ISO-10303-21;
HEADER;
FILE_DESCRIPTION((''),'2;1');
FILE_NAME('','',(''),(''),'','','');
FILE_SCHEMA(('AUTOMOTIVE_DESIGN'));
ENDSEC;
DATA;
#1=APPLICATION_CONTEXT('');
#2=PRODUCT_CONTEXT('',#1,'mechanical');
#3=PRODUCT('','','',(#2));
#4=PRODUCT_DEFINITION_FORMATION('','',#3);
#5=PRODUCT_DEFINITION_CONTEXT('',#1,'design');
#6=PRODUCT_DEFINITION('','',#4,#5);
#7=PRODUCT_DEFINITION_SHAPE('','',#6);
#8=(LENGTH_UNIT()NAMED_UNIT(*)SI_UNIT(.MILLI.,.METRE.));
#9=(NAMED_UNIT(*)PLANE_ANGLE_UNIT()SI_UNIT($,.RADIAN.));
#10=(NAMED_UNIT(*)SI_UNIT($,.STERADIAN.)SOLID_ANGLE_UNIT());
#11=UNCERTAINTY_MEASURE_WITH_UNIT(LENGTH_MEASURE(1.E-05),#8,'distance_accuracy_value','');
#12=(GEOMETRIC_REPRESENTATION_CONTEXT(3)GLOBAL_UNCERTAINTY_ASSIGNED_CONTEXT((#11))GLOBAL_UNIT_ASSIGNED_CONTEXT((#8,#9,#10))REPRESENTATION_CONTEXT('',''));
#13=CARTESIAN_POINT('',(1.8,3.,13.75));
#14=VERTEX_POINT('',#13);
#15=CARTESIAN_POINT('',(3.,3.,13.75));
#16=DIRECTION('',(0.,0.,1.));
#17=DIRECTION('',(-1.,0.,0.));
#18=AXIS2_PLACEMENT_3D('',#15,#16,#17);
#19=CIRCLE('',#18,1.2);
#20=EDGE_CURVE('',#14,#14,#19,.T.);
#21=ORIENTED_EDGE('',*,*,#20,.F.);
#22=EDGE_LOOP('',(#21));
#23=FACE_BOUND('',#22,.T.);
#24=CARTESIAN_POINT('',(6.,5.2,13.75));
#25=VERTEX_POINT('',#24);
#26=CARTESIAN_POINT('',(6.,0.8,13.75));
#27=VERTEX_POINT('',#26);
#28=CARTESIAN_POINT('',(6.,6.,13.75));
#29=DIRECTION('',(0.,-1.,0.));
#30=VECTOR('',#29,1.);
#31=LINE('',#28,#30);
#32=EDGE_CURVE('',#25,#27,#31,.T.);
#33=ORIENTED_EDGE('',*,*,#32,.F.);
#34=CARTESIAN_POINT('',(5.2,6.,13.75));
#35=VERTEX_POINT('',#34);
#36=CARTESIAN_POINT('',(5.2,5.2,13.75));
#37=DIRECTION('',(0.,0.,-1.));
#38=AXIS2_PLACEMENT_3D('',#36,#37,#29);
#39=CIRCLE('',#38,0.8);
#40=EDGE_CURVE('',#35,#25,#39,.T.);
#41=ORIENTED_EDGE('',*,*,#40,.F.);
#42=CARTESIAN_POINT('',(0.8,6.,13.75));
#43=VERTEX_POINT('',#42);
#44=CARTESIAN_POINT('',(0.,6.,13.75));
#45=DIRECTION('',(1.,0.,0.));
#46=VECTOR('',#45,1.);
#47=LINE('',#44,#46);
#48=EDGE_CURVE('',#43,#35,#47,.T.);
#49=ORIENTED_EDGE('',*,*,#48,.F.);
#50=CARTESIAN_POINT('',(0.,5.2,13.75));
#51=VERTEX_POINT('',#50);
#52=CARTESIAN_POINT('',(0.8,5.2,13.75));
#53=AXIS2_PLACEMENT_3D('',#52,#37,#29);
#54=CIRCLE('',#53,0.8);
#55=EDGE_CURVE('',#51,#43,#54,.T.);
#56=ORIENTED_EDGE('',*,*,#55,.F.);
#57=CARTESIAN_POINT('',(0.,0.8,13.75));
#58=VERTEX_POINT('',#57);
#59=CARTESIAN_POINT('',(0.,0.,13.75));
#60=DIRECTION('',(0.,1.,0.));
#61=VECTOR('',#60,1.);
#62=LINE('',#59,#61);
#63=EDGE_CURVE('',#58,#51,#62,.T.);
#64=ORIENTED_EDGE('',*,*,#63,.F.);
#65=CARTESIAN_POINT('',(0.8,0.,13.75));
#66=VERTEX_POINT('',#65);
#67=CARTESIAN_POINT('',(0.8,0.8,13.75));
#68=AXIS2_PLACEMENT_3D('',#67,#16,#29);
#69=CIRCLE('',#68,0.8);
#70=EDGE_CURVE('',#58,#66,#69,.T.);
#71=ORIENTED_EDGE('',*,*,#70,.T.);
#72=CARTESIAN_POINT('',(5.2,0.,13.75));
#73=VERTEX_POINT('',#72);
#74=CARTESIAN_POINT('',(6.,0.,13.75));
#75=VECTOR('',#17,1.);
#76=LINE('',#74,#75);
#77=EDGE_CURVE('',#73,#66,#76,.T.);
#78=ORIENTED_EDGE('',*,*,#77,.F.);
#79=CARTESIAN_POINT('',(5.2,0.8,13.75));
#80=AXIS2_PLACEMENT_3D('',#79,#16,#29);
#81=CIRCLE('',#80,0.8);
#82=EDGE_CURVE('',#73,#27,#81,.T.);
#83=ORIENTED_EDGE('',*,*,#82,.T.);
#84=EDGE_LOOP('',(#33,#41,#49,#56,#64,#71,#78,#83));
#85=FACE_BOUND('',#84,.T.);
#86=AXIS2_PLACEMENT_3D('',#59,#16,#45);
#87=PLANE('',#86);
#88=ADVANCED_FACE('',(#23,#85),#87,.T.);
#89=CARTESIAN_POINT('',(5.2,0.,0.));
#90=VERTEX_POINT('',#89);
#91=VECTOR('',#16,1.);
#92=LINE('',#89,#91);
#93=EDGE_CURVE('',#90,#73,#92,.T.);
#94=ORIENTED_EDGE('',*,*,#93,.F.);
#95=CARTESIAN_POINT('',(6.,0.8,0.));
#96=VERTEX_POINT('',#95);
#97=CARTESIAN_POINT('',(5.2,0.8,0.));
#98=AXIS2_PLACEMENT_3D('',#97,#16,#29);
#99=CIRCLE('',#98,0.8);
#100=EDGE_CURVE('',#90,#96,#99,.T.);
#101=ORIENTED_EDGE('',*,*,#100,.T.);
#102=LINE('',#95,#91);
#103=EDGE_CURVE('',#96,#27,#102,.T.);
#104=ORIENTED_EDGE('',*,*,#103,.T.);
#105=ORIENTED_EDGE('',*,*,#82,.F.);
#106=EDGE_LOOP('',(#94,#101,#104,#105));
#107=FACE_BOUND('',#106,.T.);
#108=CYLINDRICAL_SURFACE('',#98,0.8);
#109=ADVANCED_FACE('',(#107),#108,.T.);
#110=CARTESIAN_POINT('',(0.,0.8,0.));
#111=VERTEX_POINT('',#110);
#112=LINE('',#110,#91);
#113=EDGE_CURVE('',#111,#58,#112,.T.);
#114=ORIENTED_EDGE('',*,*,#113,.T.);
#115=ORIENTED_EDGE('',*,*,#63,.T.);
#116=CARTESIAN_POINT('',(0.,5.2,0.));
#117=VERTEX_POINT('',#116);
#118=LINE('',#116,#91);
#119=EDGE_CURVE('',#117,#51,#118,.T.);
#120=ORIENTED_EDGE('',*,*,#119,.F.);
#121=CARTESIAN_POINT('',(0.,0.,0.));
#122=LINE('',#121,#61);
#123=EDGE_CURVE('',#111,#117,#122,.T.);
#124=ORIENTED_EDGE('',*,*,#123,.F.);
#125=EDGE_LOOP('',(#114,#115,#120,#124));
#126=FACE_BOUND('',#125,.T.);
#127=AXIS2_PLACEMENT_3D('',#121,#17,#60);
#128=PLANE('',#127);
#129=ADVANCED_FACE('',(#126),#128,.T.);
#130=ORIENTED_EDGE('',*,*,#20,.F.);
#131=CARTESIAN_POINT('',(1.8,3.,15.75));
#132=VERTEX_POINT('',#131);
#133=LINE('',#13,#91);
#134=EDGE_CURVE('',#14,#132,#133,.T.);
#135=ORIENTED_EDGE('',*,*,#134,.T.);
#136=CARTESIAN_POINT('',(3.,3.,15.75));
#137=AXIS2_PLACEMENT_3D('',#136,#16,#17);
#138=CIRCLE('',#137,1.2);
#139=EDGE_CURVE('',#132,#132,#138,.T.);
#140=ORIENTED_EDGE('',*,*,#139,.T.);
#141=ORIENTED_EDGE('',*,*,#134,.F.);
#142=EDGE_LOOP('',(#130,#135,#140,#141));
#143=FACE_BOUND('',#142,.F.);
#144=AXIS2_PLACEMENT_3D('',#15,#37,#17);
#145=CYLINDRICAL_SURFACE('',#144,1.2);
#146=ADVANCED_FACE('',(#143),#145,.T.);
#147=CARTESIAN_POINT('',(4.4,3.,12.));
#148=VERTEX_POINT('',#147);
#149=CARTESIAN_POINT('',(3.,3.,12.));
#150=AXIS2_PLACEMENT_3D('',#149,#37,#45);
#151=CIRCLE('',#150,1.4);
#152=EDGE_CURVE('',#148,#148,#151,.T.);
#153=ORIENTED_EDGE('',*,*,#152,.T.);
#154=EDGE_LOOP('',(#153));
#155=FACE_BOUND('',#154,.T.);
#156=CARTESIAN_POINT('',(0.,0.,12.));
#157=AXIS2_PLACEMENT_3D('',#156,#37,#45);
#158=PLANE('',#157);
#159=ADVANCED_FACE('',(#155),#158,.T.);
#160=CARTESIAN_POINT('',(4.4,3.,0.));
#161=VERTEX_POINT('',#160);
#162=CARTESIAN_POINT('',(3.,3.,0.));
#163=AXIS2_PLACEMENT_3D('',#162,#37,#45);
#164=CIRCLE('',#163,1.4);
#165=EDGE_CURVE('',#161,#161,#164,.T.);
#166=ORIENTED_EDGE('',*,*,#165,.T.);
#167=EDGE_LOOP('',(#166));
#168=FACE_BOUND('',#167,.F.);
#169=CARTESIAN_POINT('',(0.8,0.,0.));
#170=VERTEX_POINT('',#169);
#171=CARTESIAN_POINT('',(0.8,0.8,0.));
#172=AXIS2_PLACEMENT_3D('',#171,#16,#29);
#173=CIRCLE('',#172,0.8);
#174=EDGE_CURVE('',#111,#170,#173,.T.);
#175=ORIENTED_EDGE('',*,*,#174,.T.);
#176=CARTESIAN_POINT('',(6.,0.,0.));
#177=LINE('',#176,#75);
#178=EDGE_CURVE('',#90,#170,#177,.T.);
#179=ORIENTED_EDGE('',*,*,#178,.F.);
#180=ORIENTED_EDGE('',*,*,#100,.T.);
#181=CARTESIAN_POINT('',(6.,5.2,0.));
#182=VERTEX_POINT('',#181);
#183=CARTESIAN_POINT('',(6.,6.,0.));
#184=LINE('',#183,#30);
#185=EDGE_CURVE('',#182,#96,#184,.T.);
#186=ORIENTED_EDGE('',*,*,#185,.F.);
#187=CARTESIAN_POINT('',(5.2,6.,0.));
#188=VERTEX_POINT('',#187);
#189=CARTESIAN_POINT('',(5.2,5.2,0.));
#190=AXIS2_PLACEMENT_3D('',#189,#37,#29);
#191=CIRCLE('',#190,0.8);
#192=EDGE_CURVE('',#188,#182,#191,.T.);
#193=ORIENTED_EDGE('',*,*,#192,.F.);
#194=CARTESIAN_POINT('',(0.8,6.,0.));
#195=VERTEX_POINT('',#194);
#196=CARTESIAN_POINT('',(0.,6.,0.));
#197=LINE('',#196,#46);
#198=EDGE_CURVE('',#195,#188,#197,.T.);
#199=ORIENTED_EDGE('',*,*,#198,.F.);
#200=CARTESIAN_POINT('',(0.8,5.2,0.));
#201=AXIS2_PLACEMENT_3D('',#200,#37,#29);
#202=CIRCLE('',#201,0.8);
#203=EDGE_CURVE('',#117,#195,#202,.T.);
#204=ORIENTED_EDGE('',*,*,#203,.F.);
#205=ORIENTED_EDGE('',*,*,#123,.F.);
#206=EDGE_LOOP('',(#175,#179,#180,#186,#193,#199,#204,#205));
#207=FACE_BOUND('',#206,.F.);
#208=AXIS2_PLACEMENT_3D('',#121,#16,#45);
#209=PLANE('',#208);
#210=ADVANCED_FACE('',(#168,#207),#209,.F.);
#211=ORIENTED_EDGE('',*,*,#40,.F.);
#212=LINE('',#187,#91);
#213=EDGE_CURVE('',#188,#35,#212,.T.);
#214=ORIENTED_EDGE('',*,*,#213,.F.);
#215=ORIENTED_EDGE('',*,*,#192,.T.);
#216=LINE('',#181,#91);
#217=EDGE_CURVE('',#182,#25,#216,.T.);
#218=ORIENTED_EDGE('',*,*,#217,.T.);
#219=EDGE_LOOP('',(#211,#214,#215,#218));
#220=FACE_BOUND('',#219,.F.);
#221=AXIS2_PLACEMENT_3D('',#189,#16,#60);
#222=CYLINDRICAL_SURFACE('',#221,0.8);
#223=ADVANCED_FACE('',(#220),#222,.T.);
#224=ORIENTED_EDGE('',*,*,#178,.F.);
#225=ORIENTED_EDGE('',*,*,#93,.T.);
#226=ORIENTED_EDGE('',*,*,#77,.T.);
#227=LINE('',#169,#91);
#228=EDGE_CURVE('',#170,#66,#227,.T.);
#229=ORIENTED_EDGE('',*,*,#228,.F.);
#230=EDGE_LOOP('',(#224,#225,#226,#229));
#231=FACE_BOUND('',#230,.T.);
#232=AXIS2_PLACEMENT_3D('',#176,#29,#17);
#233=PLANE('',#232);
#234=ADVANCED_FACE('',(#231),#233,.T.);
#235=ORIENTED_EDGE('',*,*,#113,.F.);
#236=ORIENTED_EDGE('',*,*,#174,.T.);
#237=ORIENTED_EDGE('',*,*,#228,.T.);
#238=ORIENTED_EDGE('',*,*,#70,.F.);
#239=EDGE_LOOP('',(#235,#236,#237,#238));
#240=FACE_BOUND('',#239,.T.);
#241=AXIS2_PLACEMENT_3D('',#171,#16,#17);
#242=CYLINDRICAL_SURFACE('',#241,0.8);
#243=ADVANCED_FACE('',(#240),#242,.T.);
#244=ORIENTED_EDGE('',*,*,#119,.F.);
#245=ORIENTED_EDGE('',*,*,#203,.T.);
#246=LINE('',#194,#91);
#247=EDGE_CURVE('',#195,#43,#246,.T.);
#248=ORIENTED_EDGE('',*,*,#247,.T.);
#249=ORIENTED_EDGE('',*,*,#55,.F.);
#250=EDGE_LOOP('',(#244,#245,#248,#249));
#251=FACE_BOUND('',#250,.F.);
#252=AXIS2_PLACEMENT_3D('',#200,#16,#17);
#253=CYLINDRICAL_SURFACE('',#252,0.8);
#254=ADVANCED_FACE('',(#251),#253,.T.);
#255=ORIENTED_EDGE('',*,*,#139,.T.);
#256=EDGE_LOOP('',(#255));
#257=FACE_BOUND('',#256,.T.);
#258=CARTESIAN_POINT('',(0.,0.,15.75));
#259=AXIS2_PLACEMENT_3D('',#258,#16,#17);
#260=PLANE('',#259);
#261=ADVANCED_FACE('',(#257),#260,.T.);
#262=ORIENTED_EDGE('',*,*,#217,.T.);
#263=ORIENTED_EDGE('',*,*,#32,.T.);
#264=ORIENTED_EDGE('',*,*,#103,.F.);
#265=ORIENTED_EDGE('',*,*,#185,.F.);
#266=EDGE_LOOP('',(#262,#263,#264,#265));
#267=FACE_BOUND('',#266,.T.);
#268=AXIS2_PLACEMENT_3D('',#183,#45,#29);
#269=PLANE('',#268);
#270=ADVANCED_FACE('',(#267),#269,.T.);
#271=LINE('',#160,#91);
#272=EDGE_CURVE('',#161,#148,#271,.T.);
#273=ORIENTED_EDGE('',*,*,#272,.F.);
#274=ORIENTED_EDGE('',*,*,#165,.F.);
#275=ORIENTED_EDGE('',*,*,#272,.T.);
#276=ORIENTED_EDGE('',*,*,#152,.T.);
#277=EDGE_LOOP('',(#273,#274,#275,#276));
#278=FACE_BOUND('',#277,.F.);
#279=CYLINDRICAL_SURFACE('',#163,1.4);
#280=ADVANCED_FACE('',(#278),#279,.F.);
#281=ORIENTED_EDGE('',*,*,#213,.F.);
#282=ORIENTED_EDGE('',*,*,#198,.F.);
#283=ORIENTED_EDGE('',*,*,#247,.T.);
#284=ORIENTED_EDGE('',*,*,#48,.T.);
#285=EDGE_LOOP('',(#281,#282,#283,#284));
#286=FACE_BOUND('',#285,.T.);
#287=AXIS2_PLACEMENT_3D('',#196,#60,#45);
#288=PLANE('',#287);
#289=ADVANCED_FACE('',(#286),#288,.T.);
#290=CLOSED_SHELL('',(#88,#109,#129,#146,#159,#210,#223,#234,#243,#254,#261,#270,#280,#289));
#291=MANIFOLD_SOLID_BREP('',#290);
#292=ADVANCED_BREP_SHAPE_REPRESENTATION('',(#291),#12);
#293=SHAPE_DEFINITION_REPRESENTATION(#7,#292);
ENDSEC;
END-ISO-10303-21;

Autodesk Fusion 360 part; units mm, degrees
sketch "Sketch1" plane through (0, 0, 0) normal (0, 0, 1) x (1, 0, 0)
  line L0 (0, 0) -> (0, 6)
  line L1 (0, 6) -> (6, 6)
  line L2 (6, 6) -> (6, 0)
  line L3 (6, 0) -> (0, 0)
  dimension "d1" = 6
  dimension "d2" = 6
extrude "Extrude1" add sketch "Sketch1" along normal blind 13.75
sketch "Sketch2" plane through (0, 0, 13.75) normal (0, 0, 1) x (-1, 0, 0)
  line L0 (-6, 0) -> (-6, -6)
  line L1 (-6, -6) -> (0, -6)
  line L2 (0, -6) -> (0, 0)
  line L3 (0, 0) -> (-6, 0)
  circle A0 centre (-3, -3) radius 1.2
  dimension "d6" = 2.4
extrude "Extrude2" add sketch "Sketch2" along normal blind 2 contours A0
sketch "Sketch3" plane through (0, 0, 0) normal (0, 0, -1) x (1, 0, 0)
  line L0 (6, -6) -> (6, 0)
  line L1 (6, 0) -> (0, 0)
  line L2 (0, 0) -> (0, -6)
  line L3 (0, -6) -> (6, -6)
  circle A0 centre (3, -3) radius 1.4
  dimension "d9" = 2.8
extrude "Extrude3" cut sketch "Sketch3" against normal blind 12 contours A0
fillet "Fillet1" radius 0.8 4 edges at (6, 0, 6.875) (6, 6, 6.875) (0, 6, 6.875) (0, 0, 6.875)
